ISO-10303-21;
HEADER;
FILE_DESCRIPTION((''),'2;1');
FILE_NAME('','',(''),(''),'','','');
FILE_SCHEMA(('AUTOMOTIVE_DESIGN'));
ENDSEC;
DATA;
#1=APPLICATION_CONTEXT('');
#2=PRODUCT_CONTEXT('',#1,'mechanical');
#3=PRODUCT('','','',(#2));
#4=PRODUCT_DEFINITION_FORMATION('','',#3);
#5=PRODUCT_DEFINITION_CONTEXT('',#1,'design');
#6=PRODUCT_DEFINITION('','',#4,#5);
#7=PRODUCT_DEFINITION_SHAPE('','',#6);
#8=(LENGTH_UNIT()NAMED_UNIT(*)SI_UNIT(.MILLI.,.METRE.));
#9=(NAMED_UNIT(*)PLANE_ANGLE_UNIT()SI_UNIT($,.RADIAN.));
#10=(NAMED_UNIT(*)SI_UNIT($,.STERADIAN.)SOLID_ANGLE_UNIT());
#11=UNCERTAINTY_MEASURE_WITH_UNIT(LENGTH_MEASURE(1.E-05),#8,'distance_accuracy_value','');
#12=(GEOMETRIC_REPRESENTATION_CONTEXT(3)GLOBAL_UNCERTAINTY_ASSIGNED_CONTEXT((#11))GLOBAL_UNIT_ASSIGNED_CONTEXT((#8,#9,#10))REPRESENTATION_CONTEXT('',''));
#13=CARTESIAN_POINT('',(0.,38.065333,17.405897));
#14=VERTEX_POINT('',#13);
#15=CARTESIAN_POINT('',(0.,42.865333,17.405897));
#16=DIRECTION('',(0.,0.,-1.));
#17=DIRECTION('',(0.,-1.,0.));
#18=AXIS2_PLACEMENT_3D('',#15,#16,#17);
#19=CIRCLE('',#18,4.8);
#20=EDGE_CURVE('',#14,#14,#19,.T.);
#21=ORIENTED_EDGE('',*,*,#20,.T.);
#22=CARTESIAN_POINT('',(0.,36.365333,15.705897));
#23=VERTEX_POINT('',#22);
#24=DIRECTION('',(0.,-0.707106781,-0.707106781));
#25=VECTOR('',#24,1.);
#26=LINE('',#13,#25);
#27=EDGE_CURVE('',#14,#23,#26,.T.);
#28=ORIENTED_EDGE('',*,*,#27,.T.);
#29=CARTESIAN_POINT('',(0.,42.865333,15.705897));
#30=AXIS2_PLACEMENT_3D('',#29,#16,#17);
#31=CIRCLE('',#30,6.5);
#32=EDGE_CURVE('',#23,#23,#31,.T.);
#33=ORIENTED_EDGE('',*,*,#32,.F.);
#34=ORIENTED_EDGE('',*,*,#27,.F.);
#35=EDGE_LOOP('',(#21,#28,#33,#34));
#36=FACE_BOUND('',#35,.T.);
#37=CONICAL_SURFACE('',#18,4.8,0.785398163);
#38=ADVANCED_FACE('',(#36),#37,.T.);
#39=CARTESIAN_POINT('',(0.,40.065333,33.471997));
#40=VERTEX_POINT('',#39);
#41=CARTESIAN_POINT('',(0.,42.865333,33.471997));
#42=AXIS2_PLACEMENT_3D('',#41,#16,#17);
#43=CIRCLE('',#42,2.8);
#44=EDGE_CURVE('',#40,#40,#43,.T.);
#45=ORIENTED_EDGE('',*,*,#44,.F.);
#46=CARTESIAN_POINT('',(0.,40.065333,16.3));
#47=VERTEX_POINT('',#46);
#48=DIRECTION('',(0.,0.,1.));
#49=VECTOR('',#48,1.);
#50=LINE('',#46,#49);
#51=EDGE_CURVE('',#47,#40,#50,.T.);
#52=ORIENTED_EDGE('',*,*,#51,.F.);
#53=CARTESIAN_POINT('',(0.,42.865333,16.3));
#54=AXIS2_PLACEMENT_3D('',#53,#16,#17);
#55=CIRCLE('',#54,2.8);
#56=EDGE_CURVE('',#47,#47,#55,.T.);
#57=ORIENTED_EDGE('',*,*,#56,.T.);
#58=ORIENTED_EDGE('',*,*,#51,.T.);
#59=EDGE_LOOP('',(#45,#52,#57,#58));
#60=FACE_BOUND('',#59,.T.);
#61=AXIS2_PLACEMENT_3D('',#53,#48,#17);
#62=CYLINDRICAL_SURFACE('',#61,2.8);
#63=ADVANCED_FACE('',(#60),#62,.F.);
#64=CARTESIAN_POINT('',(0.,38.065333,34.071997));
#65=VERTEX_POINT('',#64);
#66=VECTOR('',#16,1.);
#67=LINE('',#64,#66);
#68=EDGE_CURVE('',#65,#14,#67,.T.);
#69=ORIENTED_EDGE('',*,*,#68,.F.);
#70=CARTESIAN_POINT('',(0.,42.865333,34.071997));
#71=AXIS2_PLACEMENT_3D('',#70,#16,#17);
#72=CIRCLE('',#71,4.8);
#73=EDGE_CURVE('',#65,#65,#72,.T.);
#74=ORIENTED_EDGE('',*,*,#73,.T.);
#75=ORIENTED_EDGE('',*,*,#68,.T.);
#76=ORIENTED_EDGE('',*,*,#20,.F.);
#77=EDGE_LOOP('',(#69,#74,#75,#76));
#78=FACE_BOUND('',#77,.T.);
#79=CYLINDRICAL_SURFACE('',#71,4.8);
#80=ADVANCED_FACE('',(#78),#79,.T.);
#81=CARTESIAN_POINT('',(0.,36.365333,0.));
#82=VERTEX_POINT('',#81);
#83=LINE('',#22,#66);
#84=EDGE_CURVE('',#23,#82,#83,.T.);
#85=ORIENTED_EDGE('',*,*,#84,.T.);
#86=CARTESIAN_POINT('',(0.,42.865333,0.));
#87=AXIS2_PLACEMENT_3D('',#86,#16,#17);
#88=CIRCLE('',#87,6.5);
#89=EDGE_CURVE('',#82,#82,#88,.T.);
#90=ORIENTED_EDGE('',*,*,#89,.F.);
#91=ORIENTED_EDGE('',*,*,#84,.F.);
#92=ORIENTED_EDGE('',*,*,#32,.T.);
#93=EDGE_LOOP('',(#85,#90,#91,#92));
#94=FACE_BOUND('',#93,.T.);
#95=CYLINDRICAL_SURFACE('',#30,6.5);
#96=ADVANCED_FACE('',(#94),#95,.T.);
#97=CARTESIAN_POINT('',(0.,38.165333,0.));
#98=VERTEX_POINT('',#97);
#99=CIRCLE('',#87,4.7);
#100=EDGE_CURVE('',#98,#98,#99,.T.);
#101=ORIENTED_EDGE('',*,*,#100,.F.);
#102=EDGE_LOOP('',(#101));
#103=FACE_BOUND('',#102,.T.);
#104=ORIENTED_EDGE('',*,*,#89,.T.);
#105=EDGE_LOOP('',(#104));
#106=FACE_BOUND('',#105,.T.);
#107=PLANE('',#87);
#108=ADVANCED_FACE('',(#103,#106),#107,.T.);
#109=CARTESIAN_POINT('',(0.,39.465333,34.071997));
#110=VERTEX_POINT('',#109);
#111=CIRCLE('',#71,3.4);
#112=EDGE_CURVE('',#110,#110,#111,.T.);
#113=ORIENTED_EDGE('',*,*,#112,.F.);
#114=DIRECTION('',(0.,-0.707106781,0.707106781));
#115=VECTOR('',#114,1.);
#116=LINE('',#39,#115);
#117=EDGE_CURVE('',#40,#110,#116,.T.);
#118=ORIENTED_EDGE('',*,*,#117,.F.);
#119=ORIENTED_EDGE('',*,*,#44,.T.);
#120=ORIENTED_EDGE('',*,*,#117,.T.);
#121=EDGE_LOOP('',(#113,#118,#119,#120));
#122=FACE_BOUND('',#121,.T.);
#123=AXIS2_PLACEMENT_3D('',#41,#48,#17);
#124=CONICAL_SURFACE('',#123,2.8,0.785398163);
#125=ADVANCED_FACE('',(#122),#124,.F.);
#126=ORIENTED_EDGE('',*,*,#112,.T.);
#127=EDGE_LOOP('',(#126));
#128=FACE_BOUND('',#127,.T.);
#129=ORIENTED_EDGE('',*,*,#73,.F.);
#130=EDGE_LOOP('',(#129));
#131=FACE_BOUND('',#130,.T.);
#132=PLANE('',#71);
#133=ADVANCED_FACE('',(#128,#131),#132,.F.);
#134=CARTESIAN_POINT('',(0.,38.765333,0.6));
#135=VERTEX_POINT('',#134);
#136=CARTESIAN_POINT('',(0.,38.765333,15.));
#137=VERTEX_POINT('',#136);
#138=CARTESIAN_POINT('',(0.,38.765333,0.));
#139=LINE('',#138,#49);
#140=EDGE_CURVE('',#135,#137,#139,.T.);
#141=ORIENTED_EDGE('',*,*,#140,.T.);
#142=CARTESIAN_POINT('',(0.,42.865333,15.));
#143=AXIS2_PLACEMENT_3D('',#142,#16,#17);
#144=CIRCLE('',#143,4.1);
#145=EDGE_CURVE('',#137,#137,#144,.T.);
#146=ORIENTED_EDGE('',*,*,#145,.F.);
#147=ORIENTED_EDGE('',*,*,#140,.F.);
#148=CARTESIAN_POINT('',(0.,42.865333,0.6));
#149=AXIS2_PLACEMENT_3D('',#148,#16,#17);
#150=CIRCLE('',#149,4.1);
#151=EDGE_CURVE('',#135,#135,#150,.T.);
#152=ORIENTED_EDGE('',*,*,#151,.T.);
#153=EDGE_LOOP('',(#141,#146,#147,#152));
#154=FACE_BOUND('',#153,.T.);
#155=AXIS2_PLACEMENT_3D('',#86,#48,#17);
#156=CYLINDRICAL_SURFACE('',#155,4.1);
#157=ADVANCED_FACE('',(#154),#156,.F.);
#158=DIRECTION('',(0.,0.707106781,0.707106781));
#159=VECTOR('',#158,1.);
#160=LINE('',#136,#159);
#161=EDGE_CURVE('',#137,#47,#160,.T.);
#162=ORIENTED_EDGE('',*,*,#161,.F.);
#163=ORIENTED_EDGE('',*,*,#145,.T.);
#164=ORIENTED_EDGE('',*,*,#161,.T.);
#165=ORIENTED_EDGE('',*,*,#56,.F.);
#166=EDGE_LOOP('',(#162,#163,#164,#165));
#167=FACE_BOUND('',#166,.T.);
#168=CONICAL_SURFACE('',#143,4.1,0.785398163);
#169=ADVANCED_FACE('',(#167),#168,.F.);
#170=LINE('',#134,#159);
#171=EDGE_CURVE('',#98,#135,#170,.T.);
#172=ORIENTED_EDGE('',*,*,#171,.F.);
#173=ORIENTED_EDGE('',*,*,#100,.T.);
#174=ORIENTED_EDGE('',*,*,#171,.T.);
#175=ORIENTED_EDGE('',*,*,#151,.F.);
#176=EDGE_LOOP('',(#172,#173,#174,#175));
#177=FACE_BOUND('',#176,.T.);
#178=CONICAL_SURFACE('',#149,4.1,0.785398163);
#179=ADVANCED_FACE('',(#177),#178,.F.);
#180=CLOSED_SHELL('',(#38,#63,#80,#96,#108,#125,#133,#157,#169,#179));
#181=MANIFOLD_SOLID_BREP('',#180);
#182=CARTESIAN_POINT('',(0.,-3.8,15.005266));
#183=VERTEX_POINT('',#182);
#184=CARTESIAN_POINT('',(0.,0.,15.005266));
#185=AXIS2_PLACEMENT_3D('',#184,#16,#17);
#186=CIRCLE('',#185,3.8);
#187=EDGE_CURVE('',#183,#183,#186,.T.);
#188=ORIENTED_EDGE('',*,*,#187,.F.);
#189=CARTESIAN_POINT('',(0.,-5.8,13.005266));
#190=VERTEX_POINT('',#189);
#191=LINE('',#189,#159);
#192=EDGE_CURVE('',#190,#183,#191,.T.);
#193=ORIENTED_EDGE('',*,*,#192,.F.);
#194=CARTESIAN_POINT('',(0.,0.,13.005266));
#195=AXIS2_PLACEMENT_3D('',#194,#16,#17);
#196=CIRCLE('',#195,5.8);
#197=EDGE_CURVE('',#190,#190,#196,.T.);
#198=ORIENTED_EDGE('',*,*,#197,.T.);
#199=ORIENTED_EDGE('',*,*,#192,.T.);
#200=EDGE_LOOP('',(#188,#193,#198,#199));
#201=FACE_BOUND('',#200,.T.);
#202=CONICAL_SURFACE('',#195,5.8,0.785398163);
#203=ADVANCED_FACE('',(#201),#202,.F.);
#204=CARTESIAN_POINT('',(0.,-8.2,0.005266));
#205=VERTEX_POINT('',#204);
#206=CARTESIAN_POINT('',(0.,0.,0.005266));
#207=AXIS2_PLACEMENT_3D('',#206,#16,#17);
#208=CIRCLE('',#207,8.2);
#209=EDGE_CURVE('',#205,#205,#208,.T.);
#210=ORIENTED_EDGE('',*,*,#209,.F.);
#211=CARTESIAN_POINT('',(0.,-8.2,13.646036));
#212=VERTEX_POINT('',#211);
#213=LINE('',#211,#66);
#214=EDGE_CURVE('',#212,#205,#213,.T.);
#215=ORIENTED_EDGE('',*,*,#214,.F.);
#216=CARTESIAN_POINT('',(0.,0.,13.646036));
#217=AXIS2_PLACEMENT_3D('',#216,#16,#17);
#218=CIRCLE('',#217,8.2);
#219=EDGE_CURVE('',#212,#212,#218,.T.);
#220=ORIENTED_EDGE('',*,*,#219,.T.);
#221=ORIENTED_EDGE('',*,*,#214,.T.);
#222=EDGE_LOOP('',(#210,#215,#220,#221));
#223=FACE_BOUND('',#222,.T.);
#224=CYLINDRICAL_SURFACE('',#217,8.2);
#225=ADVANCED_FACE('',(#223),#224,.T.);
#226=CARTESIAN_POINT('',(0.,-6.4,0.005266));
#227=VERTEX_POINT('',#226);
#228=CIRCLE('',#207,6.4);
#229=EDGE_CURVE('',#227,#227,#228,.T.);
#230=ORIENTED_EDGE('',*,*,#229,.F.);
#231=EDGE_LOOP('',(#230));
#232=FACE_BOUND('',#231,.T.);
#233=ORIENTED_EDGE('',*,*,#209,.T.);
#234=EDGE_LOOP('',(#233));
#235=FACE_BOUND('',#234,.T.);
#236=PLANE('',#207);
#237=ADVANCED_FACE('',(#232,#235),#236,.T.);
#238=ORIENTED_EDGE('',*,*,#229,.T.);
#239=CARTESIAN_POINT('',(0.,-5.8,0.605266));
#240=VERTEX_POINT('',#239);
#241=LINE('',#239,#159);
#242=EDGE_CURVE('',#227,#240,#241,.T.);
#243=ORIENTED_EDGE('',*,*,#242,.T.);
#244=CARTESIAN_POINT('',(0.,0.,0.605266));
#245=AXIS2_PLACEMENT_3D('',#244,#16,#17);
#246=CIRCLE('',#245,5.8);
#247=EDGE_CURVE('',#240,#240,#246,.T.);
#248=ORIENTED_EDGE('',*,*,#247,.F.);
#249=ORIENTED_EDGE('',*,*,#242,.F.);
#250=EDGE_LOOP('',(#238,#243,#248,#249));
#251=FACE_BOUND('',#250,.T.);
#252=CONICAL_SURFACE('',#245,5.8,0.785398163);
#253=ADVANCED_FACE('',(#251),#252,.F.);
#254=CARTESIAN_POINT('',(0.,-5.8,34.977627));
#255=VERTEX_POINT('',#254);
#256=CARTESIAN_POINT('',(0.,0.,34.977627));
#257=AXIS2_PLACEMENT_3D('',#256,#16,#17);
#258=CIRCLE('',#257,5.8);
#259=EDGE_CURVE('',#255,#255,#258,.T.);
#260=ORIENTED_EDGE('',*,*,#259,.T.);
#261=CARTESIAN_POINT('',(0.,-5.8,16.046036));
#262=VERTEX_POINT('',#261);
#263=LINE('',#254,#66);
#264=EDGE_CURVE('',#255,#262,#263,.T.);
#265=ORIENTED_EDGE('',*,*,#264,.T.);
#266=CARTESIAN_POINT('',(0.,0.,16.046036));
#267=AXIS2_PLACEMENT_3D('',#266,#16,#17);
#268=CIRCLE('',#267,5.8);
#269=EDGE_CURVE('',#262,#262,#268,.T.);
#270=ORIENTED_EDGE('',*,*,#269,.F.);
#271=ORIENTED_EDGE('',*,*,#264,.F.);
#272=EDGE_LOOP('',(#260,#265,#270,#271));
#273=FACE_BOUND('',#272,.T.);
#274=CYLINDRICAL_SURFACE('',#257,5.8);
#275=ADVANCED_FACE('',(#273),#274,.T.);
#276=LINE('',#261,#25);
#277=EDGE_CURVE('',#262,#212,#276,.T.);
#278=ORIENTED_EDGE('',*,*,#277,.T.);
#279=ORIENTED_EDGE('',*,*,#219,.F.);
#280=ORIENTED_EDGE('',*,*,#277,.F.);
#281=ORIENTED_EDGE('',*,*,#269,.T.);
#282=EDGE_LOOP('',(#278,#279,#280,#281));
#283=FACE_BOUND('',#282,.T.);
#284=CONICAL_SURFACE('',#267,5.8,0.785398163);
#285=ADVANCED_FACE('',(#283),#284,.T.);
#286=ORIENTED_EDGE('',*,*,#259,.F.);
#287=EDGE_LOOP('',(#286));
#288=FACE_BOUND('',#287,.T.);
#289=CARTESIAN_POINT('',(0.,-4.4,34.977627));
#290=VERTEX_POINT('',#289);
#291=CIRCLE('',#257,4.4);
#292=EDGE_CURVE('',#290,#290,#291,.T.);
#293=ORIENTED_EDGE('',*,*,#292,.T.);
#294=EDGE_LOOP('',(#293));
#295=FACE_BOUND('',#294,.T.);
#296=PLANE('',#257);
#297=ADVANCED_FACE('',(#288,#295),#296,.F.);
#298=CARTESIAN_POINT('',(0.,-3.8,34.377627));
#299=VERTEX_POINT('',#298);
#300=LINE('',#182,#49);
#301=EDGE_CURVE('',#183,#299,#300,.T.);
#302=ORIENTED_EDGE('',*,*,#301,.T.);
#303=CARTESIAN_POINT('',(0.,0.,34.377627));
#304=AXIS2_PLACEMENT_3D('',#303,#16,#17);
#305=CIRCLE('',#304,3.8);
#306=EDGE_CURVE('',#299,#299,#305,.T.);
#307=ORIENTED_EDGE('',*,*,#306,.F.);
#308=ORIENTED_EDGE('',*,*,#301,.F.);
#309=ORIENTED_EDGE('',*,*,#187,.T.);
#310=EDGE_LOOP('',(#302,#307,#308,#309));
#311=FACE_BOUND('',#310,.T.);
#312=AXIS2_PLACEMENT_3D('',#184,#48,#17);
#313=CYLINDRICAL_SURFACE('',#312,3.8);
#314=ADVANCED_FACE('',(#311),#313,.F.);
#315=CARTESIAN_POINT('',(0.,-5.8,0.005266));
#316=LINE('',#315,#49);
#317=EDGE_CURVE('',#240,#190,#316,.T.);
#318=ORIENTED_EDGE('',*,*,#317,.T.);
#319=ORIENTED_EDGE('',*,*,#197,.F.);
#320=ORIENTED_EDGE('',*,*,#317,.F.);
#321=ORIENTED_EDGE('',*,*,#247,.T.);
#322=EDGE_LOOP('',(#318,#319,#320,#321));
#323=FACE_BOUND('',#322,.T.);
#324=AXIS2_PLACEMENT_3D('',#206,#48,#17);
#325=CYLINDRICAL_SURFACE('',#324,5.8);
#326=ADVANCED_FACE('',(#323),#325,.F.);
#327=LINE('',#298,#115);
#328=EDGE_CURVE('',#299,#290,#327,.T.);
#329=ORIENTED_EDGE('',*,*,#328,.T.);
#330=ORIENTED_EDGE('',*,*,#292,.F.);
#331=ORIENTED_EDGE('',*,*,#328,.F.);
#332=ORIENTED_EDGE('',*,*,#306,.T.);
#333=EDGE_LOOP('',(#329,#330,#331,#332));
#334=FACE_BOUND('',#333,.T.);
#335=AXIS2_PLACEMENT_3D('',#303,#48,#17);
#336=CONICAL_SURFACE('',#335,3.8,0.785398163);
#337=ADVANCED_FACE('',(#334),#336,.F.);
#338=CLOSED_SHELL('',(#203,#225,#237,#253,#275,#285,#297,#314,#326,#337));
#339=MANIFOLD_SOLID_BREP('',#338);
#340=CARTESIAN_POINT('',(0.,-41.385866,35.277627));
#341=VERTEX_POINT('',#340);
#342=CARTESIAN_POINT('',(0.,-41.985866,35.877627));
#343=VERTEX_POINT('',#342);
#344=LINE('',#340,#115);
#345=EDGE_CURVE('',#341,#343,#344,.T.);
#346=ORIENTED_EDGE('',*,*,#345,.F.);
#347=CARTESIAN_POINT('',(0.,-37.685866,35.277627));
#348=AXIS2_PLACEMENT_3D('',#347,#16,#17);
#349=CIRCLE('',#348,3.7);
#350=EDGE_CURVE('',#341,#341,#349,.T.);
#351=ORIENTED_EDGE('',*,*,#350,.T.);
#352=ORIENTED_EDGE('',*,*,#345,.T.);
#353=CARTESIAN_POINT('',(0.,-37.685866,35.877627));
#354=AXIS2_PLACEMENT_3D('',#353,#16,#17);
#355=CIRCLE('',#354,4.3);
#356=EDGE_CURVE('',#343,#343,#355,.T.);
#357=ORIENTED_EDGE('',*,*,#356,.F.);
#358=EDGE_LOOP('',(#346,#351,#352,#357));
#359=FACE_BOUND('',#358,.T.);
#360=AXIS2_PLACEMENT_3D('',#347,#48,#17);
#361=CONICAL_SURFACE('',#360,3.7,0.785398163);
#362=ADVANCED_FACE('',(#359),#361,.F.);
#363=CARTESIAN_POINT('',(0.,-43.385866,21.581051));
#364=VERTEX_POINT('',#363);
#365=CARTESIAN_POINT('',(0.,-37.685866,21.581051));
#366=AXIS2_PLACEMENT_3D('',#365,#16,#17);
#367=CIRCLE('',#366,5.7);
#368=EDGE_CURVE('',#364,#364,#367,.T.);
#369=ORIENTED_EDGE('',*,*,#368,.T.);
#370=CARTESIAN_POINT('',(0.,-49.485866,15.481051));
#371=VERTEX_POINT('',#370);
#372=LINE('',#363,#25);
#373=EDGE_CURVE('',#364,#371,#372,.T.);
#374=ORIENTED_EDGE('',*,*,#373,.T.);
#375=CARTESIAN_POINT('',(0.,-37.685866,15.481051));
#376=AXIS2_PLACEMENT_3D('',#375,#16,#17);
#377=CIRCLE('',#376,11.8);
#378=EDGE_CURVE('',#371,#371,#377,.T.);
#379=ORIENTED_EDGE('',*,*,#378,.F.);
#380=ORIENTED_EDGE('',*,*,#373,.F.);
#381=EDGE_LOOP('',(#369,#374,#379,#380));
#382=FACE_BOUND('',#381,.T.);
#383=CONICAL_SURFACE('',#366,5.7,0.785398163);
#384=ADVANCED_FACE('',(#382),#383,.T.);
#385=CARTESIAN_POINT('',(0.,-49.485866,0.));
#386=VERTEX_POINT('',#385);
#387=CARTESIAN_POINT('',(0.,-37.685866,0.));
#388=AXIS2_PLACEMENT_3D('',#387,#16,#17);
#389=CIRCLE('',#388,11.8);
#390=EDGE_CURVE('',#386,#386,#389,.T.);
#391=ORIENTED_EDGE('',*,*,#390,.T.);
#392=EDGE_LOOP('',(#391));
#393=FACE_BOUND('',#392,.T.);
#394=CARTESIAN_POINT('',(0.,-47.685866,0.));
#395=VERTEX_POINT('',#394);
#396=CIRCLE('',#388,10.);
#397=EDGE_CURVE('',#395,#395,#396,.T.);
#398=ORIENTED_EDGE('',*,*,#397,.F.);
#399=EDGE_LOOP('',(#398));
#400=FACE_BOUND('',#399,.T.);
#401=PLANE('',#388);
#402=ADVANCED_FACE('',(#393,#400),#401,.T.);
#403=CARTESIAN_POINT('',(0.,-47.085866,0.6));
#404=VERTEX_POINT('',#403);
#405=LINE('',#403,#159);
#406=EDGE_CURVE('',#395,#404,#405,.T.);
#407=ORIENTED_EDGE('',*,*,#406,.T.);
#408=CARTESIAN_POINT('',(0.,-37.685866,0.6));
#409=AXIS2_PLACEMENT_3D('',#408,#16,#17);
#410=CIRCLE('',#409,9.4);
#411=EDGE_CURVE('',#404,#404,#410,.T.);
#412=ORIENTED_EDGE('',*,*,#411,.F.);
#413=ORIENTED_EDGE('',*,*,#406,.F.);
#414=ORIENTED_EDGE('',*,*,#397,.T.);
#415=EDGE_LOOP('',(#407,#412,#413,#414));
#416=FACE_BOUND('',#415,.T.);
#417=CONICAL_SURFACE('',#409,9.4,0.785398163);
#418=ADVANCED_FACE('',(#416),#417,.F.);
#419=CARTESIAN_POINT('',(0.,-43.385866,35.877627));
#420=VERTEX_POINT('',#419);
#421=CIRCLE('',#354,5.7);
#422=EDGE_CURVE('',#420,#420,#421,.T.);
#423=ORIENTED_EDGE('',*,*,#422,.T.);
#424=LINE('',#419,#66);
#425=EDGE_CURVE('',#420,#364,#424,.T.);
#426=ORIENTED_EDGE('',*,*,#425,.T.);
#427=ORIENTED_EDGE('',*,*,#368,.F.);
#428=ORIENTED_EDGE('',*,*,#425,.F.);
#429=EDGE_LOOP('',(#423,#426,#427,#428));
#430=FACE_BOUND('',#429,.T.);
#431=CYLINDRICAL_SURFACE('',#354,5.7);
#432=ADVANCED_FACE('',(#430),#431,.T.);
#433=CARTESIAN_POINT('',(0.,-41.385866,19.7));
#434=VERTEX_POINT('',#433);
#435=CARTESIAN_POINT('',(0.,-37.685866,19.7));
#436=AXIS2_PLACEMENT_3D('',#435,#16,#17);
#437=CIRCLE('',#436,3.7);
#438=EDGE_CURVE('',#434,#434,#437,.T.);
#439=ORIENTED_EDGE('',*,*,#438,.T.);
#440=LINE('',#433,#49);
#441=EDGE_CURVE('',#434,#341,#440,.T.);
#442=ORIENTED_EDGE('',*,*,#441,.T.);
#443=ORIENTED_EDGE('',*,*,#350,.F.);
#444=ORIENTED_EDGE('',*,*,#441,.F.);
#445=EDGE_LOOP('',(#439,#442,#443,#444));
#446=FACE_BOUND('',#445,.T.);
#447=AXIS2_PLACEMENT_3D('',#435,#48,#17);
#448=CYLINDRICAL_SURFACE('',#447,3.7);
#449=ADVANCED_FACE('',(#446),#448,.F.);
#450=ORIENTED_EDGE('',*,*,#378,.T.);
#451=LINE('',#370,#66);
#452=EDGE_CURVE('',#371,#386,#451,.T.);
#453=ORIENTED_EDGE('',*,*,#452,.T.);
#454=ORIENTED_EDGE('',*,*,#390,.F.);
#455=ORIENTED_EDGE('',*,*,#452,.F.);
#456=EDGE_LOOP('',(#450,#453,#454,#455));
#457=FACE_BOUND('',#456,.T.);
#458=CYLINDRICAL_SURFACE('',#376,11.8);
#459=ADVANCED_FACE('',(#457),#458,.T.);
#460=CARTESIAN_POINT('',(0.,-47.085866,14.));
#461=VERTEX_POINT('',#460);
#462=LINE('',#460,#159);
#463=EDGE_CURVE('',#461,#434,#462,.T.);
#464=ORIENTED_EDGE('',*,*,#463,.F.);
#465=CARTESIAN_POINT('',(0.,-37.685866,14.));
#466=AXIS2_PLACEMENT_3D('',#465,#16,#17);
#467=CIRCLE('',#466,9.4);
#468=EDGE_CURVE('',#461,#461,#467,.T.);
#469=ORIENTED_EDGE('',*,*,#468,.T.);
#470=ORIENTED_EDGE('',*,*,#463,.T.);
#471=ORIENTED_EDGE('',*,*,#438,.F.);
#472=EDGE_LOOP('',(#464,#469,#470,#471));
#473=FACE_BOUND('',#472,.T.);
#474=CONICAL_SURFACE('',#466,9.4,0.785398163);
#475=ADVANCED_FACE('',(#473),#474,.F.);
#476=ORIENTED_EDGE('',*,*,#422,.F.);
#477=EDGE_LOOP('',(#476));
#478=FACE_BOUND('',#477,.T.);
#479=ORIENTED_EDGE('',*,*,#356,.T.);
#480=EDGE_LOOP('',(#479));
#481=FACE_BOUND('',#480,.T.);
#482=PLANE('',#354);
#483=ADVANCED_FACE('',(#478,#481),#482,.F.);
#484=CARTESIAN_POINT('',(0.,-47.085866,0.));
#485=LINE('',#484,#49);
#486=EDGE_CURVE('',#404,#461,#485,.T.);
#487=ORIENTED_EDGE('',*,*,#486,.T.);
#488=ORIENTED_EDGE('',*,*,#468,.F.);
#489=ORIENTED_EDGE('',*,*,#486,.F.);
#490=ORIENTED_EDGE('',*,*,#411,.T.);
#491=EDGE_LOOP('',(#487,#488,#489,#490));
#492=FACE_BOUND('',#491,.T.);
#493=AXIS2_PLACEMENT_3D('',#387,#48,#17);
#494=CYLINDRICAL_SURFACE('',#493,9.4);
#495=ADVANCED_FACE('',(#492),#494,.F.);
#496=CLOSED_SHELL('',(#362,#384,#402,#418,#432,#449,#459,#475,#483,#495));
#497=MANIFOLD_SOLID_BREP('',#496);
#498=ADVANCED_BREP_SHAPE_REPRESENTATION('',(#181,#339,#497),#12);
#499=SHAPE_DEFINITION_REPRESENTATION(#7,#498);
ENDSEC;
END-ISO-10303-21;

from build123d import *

# Parameters (mm, degrees)
F4_SIZE   = 0.6
F4_2_SIZE = 0.6
F4_3_SIZE = 0.6


with BuildPart() as f1:
    # F0 (on Right) → F1 (revolve)
    with BuildSketch(Plane.YZ):
        Polygon((-8.2, 0.0052660612), (-5.8, 0.0052660612), (-5.8, 13.0052660612), (-3.8, 15.0052660612), (-3.8, 34.9776267817), (-5.8, 34.9776267817), (-5.8, 16.0460362283), (-8.2, 13.6460362283), align=None)
    revolve(axis=Axis((0, 0, 5.2408409514), (0, 0, -1)))

    # F4
    f4_edges = [f1.edges().sort_by_distance(p)[0] for p in [
        (0, 5.8, 0.005266),
        (0, 3.8, 34.977627),
    ]]
    chamfer(f4_edges, length=F4_SIZE)


with BuildPart() as f2:
    # F0 (on Right) → F2 (revolve)
    with BuildSketch(Plane.YZ):
        Polygon((36.3653332472, 0), (38.7653332472, 0), (38.7653332472, 15), (40.0653332472, 16.3), (40.0653332472, 34.0719968081), (38.0653332472, 34.0719968081), (38.0653332472, 17.4058965415), (36.3653332472, 15.7058965415), align=None)
    revolve(axis=Axis((0, 42.8653332472, 8.6921965703), (0, 0, -1)))

    # F4#2
    f4_2_edges = [f2.edges().sort_by_distance(p)[0] for p in [
        (0, 46.965333, 0),
        (0, 45.665333, 34.071997),
    ]]
    chamfer(f4_2_edges, length=F4_2_SIZE)


with BuildPart() as f3:
    # F0 (on Right) → F3 (revolve)
    with BuildSketch(Plane.YZ):
        Polygon((-49.4858663619, 0), (-47.0858663619, 0), (-47.0858663619, 14), (-41.3858663619, 19.7), (-41.3858663619, 35.8776268103), (-43.3858663619, 35.8776268103), (-43.3858663619, 21.5810506761), (-49.4858663619, 15.4810506761), align=None)
    revolve(axis=Axis((0, -37.6858663619, 16.0833399966), (0, 0, -1)))

    # F4#3
    f4_3_edges = [f3.edges().sort_by_distance(p)[0] for p in [
        (0, -33.985866, 35.877627),
        (0, -28.285866, 0),
    ]]
    chamfer(f4_3_edges, length=F4_3_SIZE)


solid = Compound([f1.part, f2.part, f3.part])
